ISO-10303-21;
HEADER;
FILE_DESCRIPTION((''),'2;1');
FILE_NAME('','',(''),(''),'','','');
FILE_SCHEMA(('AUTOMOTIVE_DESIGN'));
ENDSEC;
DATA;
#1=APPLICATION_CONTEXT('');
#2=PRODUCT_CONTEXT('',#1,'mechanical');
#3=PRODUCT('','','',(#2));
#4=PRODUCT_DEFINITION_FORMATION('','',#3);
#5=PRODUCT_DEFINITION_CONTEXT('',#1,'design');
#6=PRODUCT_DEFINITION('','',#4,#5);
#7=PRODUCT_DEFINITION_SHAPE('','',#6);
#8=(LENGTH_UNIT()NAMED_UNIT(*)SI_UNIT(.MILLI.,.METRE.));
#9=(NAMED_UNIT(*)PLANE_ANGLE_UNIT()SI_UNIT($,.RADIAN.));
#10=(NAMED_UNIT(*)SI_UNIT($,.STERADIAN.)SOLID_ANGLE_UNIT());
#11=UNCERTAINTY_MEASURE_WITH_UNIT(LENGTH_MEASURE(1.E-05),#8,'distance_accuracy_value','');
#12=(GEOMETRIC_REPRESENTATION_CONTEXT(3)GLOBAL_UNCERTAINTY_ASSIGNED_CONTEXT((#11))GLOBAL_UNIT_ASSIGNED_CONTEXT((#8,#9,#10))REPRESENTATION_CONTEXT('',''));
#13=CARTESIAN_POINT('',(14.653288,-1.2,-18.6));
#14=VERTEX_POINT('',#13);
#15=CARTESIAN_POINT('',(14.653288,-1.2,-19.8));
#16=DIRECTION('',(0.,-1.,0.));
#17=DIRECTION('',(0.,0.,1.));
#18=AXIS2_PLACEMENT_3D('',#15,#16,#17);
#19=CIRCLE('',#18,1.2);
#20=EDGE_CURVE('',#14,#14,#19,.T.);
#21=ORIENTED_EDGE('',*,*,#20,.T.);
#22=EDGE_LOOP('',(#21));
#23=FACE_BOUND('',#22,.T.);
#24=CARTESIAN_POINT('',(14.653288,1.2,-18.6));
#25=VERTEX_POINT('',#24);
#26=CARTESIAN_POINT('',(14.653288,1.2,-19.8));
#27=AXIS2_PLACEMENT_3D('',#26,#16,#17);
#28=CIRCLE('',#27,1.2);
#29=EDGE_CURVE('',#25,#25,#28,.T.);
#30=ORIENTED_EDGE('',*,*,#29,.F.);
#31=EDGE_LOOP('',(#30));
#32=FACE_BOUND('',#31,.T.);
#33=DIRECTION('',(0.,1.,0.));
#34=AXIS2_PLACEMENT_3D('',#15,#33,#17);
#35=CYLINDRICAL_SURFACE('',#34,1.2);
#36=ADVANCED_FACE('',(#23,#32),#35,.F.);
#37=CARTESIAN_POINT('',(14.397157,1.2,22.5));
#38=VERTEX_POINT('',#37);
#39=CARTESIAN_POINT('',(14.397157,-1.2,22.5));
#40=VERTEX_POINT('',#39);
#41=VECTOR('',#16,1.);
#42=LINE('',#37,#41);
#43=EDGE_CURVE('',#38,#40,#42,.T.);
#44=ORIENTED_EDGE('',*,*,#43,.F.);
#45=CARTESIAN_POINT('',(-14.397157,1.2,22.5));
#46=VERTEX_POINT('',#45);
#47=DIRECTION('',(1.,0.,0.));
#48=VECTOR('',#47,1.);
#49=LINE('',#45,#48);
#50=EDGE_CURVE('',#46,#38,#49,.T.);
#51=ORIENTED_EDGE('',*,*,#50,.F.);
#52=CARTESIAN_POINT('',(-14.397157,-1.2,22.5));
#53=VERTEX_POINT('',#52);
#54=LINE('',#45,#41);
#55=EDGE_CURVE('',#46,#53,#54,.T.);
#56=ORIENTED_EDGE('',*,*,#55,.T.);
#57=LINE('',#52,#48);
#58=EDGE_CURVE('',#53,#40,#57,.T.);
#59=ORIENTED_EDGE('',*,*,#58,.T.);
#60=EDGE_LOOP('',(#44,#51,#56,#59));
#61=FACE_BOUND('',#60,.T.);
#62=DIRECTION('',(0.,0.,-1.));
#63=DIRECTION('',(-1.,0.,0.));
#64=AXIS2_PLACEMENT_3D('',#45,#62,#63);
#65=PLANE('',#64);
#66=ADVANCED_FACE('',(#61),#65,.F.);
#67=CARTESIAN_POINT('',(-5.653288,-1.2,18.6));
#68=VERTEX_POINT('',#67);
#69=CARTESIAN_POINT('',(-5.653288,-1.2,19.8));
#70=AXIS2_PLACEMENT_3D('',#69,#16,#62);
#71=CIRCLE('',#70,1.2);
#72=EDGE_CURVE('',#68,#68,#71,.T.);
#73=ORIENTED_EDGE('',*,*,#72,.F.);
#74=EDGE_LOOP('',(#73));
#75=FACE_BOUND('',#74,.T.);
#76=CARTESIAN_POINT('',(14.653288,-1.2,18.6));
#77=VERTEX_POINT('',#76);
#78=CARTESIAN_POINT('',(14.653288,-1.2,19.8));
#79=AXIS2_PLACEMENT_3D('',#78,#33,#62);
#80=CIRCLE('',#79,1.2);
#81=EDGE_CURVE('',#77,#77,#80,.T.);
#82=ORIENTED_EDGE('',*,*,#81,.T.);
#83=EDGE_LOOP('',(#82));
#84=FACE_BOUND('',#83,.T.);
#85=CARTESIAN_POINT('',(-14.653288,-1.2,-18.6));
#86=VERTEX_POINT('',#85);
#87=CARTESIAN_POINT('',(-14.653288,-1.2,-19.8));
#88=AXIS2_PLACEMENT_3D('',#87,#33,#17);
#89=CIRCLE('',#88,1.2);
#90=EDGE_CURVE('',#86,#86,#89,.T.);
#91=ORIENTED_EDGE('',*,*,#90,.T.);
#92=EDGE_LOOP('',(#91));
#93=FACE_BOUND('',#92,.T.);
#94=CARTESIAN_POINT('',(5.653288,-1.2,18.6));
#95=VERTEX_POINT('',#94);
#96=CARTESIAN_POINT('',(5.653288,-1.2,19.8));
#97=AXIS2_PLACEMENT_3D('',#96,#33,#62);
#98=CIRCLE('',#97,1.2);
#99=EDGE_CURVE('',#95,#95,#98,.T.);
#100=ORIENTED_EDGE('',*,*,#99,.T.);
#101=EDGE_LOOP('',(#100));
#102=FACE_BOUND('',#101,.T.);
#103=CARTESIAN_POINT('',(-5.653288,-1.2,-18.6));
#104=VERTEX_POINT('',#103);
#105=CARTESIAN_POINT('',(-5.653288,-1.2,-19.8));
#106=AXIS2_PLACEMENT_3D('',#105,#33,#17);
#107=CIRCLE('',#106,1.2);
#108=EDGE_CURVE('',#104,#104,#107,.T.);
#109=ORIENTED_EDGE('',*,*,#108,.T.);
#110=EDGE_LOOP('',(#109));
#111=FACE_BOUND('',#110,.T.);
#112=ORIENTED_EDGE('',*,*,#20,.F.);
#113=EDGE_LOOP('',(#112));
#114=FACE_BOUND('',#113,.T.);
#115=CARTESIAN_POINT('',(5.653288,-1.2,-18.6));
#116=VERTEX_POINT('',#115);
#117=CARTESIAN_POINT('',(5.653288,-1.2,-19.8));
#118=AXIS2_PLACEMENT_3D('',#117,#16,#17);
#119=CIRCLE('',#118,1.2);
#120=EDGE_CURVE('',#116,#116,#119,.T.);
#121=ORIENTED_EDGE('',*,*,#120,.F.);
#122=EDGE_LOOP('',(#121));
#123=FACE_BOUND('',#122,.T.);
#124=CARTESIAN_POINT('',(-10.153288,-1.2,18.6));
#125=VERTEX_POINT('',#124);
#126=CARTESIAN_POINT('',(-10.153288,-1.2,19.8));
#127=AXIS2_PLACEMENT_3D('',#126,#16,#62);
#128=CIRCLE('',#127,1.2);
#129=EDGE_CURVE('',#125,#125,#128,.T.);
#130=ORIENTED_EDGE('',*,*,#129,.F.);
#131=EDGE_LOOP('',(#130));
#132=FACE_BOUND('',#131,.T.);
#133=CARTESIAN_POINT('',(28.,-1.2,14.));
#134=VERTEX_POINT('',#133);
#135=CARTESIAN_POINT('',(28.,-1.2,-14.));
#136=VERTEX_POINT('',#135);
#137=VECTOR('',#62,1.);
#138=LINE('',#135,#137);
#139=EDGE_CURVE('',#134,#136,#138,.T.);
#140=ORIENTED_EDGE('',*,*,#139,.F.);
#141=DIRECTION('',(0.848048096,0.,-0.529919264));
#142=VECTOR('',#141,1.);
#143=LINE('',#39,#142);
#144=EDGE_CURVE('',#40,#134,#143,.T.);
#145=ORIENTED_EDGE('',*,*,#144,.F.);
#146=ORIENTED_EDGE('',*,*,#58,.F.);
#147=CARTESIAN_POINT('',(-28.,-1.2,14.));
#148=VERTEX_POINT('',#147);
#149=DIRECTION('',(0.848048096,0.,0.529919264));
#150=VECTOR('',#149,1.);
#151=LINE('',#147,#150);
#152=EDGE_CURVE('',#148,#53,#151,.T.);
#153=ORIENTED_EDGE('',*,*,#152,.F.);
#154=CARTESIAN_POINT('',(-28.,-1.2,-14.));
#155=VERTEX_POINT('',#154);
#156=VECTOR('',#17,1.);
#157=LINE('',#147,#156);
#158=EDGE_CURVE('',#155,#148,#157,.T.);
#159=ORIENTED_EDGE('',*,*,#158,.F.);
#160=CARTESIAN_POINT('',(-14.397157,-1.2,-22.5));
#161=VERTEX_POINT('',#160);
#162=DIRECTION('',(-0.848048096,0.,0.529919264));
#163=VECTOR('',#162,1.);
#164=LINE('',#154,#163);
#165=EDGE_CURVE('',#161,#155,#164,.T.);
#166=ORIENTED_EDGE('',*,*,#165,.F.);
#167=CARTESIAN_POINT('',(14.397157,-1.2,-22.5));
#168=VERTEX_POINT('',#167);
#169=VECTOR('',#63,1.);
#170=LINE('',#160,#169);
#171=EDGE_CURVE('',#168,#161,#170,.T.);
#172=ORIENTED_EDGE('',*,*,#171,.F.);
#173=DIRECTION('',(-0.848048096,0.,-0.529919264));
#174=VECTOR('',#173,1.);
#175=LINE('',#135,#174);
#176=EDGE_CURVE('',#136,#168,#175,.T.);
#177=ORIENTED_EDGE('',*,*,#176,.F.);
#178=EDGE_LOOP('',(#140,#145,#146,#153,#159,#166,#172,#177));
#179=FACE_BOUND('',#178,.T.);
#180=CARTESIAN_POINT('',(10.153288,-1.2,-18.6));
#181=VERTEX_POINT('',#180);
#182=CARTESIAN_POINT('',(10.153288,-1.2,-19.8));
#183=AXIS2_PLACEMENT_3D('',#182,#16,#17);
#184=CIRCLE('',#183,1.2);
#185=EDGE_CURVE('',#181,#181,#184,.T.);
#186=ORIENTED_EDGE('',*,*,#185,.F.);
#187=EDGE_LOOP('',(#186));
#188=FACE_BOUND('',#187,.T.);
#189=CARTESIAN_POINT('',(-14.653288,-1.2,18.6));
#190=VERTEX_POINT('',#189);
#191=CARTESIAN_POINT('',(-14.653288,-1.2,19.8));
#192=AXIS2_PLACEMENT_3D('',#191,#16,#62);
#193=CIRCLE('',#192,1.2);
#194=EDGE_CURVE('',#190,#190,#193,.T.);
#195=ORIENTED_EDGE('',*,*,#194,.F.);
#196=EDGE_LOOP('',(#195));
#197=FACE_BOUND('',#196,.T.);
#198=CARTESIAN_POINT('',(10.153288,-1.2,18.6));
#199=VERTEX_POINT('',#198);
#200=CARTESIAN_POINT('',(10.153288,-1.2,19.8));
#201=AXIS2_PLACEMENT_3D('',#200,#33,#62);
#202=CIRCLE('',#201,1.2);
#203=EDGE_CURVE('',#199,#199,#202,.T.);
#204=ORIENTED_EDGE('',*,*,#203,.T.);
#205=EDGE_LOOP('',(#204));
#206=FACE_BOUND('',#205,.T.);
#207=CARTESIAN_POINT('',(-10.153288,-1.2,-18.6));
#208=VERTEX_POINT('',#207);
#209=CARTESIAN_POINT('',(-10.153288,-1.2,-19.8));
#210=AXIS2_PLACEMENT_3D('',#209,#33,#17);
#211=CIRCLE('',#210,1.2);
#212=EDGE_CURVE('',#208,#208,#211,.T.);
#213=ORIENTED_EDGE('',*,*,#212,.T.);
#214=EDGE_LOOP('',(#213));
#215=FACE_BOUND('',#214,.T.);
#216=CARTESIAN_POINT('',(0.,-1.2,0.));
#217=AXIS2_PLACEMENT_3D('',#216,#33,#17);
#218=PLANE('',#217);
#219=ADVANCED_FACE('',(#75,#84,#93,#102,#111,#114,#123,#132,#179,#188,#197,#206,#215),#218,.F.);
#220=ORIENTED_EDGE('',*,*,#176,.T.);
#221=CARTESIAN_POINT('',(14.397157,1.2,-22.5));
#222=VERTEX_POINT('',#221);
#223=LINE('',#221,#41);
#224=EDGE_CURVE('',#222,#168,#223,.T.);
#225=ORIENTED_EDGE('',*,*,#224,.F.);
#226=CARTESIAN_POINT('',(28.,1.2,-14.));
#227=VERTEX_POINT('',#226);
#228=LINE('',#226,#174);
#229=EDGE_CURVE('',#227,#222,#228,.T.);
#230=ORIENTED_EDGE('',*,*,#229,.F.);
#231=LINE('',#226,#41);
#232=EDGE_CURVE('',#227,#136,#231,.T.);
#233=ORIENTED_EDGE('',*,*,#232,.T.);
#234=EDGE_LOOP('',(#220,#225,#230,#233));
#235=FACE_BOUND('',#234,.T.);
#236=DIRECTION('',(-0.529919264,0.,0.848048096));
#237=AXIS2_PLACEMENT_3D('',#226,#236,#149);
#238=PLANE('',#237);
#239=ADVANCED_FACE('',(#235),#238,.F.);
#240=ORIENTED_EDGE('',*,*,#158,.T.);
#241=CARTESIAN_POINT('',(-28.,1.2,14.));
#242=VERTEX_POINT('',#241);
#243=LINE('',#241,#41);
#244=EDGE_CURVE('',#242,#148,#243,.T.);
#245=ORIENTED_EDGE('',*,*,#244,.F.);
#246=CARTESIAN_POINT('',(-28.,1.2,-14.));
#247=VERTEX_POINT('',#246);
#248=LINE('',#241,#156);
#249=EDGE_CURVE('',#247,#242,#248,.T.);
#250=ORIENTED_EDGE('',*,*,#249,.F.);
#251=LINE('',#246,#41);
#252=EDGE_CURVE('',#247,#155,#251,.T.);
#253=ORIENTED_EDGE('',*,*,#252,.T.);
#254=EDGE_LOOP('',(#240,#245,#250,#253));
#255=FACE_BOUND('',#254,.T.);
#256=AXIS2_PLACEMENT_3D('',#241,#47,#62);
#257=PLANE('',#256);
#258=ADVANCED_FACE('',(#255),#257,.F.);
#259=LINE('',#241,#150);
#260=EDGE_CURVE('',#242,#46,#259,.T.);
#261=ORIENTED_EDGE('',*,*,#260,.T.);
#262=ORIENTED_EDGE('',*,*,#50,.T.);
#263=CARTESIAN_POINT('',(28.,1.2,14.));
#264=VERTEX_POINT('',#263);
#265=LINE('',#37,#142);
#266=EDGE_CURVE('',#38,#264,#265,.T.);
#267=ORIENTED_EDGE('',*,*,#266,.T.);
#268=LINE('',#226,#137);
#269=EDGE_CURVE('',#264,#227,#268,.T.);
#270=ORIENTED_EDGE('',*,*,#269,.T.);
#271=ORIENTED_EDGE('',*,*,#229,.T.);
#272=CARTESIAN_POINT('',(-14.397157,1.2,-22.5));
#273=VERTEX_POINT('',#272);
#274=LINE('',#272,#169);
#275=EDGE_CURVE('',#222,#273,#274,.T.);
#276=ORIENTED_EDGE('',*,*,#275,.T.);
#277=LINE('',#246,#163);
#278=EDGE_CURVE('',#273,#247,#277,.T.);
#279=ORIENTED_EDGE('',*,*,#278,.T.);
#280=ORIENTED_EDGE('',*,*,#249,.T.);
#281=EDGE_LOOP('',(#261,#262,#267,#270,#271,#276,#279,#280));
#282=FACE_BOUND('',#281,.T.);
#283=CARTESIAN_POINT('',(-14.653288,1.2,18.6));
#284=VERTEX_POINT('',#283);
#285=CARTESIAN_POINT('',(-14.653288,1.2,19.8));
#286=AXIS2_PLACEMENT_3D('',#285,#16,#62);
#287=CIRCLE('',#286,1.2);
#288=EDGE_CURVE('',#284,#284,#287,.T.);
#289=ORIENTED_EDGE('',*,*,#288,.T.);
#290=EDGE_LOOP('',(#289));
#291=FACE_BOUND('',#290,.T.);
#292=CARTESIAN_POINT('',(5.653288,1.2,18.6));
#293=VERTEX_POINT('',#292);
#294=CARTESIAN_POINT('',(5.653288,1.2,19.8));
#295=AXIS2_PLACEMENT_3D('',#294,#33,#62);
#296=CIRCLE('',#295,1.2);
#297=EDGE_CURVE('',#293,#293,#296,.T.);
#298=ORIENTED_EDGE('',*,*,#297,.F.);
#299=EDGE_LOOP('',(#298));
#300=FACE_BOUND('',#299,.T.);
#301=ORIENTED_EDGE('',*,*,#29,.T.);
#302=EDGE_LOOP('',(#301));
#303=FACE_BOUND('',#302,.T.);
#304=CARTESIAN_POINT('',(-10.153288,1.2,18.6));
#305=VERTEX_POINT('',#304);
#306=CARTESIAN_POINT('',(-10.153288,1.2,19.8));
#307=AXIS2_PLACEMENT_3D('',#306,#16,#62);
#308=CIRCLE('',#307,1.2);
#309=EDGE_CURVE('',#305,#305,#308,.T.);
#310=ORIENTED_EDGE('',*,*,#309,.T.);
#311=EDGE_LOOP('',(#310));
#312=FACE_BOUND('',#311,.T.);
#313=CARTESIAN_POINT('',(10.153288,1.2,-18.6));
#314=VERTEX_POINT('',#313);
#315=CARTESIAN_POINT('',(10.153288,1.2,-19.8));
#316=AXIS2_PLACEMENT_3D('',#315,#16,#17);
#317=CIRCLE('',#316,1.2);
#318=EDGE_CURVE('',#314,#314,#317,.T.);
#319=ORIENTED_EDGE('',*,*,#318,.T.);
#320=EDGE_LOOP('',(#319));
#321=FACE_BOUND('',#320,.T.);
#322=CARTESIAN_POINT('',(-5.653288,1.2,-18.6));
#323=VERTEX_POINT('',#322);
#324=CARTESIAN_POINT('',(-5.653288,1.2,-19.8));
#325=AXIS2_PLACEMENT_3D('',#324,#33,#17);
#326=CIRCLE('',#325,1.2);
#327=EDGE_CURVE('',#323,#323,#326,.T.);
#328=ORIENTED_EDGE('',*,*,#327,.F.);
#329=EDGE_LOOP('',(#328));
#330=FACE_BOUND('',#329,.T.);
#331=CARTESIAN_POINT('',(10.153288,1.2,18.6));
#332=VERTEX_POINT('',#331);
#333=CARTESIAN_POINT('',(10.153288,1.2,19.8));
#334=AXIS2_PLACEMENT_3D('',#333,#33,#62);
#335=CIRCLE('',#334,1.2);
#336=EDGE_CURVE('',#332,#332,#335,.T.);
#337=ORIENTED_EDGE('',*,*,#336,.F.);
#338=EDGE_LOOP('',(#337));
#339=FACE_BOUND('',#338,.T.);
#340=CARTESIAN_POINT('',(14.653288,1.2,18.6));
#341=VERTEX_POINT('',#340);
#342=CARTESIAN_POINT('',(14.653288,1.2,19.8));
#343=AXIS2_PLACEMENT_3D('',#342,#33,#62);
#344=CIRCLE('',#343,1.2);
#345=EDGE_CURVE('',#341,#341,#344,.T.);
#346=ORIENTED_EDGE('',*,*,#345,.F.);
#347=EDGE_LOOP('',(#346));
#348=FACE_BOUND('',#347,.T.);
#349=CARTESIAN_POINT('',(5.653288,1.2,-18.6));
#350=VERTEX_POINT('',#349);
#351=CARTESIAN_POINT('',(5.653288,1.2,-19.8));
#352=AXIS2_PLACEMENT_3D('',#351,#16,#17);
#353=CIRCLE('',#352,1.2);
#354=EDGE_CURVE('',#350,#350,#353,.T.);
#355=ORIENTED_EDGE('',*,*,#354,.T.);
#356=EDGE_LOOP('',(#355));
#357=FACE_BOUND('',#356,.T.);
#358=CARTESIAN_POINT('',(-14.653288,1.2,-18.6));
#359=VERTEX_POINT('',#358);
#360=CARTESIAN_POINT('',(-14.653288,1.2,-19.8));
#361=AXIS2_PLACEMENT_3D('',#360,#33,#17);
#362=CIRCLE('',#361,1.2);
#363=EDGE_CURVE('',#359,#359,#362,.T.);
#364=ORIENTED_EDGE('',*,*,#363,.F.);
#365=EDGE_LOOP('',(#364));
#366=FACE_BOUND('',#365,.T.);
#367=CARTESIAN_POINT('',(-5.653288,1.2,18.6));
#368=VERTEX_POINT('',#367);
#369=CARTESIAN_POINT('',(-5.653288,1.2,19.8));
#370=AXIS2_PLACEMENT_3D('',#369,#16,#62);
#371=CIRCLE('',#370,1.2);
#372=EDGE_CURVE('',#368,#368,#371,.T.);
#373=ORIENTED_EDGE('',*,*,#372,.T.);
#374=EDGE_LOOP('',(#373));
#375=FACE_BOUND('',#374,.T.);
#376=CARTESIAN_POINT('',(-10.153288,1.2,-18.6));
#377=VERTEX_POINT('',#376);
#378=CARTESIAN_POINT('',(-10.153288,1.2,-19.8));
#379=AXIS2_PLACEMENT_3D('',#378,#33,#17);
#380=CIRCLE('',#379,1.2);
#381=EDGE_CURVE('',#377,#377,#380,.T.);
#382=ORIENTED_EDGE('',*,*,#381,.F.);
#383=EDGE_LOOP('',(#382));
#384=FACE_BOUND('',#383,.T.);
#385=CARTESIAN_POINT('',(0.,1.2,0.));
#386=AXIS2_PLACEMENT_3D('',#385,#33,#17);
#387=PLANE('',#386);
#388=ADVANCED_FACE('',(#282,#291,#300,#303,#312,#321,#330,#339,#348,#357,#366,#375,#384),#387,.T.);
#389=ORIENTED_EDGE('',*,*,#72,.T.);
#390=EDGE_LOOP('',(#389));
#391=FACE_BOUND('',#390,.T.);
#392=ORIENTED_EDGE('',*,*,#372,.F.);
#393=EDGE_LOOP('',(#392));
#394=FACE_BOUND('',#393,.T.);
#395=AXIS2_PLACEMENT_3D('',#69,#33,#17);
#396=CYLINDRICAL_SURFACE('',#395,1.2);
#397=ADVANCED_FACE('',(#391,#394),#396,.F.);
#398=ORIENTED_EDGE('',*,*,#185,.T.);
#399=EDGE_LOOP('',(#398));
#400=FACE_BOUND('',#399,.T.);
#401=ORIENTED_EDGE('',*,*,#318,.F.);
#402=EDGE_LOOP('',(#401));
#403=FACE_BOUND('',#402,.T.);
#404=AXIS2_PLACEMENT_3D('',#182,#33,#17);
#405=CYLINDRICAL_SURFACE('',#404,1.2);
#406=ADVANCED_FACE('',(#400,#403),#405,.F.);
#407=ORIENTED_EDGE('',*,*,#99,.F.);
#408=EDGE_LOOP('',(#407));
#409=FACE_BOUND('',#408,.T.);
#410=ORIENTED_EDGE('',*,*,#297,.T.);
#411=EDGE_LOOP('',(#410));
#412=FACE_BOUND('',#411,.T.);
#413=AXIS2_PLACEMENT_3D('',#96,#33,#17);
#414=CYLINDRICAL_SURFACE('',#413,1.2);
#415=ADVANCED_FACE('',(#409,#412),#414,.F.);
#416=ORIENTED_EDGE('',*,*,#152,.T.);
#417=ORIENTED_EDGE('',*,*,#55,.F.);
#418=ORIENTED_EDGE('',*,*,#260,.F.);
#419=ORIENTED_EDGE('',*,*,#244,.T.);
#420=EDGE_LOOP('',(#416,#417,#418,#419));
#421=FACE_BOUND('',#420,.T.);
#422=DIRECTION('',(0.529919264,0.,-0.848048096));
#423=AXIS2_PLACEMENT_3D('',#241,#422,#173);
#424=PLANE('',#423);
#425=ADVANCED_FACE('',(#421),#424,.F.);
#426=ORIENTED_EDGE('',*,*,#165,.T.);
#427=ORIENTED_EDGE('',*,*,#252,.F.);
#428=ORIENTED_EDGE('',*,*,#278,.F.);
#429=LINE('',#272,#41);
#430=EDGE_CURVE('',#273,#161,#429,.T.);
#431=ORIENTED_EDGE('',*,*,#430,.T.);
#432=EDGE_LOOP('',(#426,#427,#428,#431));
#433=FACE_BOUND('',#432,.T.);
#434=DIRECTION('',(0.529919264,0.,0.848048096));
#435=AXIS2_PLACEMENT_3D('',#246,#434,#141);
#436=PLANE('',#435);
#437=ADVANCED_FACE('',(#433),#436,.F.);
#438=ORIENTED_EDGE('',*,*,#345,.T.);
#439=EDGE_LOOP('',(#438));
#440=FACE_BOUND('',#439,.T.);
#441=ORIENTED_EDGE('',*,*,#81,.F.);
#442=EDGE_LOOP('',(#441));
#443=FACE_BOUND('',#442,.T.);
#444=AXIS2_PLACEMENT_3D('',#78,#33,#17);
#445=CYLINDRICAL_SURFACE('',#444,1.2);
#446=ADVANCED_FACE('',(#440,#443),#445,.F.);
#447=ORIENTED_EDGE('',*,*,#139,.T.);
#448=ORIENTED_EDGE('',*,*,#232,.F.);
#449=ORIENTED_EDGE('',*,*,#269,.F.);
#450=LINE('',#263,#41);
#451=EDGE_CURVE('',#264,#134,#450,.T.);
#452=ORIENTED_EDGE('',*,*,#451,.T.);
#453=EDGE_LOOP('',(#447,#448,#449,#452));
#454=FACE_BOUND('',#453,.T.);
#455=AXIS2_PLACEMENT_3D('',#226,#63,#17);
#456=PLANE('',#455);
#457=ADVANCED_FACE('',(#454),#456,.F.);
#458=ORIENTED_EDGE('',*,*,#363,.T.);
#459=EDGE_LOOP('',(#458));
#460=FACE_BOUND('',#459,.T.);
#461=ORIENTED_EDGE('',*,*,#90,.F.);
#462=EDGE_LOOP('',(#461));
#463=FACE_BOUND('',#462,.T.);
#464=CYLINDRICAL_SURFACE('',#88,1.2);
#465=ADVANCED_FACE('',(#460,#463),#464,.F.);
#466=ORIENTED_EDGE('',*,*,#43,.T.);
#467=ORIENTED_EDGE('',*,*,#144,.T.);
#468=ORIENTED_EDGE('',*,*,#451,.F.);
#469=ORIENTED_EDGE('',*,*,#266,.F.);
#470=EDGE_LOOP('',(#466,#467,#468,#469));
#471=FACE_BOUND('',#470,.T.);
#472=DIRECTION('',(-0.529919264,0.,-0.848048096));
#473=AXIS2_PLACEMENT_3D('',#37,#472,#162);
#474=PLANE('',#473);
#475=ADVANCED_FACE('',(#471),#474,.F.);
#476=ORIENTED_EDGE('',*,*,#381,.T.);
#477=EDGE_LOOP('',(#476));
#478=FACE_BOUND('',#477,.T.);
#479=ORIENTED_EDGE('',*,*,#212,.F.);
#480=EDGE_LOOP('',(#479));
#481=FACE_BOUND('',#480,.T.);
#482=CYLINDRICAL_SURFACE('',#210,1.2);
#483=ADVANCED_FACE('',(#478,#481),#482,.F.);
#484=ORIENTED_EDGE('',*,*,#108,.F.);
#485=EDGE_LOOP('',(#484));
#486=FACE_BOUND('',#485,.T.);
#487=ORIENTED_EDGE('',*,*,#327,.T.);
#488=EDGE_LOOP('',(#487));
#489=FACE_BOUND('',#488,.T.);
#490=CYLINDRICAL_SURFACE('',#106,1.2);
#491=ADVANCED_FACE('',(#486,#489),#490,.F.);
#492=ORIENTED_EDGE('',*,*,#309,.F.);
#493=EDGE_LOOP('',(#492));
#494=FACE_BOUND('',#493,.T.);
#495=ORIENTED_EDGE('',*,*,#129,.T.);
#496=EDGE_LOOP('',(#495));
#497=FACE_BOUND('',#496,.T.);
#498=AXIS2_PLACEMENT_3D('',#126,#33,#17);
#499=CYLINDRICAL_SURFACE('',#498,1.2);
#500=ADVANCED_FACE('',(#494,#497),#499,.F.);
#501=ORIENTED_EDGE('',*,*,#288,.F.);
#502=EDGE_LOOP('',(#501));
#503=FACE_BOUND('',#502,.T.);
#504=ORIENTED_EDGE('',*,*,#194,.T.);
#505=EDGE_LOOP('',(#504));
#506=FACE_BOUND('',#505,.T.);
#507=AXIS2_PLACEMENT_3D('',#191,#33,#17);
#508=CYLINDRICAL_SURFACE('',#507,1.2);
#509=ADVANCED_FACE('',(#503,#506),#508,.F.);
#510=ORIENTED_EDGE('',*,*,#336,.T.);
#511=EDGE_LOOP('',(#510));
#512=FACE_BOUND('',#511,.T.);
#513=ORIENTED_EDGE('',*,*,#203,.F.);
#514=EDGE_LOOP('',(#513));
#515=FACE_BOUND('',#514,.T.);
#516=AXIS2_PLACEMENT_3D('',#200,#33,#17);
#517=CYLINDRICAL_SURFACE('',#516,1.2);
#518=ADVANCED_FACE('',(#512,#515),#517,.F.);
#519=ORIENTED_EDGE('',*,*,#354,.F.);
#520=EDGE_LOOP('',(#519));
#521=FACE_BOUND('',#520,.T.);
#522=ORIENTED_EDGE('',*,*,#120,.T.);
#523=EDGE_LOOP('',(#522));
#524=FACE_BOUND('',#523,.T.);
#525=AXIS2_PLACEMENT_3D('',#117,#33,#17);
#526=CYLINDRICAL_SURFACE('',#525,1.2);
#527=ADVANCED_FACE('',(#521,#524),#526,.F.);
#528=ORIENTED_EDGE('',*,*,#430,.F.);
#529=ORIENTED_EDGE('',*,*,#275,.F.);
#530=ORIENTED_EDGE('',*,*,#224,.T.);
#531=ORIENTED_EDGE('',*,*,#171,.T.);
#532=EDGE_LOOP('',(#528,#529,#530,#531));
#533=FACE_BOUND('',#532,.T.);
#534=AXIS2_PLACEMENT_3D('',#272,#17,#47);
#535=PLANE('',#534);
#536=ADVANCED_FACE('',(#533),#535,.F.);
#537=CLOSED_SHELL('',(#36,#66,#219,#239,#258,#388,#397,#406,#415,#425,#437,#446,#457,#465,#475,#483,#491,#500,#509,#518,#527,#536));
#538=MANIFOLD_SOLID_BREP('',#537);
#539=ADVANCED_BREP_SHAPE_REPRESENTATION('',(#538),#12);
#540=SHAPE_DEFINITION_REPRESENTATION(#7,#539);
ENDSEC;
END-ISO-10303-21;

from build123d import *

# Parameters (mm, degrees)
BOSS_EXTRUDE1_DEPTH     = 1.2
SKETCH3_R               = 1.2
CUT_EXTRUDE1_DEPTH      = 37.000138889
MIRROR2_COPY_1_SKETCH_R = 1.2
MIRROR2_COPY_1_DEPTH    = 37.000138889


with BuildPart() as part:
    # Sketch2 → Boss-Extrude1 (new, symmetric)
    with BuildSketch(Plane(origin=(0, 0, 0), x_dir=(1, 0, 0), z_dir=(0, 1, 0))):
        Polygon((-28, -14), (-28, 14), (-14.397156503, 22.5), (14.397156503, 22.5), (28, 14), (28, -14), (14.397156503, -22.5), (-14.397156503, -22.5), align=None)
    extrude(amount=BOSS_EXTRUDE1_DEPTH, both=True)

    # Sketch3 → Cut-Extrude1 (cut, through all)
    with BuildSketch(Plane(origin=(0, 1.2, 0), x_dir=(1, 0, 0), z_dir=(0, 1, 0))):
        with Locations(Location((-14.653288443, 19.8, 0), (0, 0, 270))):
            Circle(SKETCH3_R)
        with Locations(Location((-10.153288443, 19.8, 0), (0, 0, 270))):
            Circle(SKETCH3_R)
        with Locations(Location((-5.653288443, 19.8, 0), (0, 0, 270))):
            Circle(SKETCH3_R)
    cut_extrude1 = extrude(amount=-CUT_EXTRUDE1_DEPTH, mode=Mode.SUBTRACT)

    # Mirror1: Cut-Extrude1 across plane
    add(cut_extrude1.mirror(Plane(origin=(0, 0, 0), x_dir=(0, 0, 1), z_dir=(1, 0, 0))), mode=Mode.SUBTRACT)

    # Mirror2: Cut-Extrude1 across plane
    add(cut_extrude1.mirror(Plane.XY), mode=Mode.SUBTRACT)

    # Mirror2 copy 1 sketch → Mirror2 copy 1 (cut, through all)
    with BuildSketch(Plane(origin=(0, 1.2, 0), x_dir=(-1, 0, 0), z_dir=(0, 1, 0))):
        with Locations(Location((-14.653288443, 19.8, 0), (0, 0, 270))):
            Circle(MIRROR2_COPY_1_SKETCH_R)
        with Locations(Location((-10.153288443, 19.8, 0), (0, 0, 270))):
            Circle(MIRROR2_COPY_1_SKETCH_R)
        with Locations(Location((-5.653288443, 19.8, 0), (0, 0, 270))):
            Circle(MIRROR2_COPY_1_SKETCH_R)
    extrude(amount=-MIRROR2_COPY_1_DEPTH, mode=Mode.SUBTRACT)


solid = part.part
